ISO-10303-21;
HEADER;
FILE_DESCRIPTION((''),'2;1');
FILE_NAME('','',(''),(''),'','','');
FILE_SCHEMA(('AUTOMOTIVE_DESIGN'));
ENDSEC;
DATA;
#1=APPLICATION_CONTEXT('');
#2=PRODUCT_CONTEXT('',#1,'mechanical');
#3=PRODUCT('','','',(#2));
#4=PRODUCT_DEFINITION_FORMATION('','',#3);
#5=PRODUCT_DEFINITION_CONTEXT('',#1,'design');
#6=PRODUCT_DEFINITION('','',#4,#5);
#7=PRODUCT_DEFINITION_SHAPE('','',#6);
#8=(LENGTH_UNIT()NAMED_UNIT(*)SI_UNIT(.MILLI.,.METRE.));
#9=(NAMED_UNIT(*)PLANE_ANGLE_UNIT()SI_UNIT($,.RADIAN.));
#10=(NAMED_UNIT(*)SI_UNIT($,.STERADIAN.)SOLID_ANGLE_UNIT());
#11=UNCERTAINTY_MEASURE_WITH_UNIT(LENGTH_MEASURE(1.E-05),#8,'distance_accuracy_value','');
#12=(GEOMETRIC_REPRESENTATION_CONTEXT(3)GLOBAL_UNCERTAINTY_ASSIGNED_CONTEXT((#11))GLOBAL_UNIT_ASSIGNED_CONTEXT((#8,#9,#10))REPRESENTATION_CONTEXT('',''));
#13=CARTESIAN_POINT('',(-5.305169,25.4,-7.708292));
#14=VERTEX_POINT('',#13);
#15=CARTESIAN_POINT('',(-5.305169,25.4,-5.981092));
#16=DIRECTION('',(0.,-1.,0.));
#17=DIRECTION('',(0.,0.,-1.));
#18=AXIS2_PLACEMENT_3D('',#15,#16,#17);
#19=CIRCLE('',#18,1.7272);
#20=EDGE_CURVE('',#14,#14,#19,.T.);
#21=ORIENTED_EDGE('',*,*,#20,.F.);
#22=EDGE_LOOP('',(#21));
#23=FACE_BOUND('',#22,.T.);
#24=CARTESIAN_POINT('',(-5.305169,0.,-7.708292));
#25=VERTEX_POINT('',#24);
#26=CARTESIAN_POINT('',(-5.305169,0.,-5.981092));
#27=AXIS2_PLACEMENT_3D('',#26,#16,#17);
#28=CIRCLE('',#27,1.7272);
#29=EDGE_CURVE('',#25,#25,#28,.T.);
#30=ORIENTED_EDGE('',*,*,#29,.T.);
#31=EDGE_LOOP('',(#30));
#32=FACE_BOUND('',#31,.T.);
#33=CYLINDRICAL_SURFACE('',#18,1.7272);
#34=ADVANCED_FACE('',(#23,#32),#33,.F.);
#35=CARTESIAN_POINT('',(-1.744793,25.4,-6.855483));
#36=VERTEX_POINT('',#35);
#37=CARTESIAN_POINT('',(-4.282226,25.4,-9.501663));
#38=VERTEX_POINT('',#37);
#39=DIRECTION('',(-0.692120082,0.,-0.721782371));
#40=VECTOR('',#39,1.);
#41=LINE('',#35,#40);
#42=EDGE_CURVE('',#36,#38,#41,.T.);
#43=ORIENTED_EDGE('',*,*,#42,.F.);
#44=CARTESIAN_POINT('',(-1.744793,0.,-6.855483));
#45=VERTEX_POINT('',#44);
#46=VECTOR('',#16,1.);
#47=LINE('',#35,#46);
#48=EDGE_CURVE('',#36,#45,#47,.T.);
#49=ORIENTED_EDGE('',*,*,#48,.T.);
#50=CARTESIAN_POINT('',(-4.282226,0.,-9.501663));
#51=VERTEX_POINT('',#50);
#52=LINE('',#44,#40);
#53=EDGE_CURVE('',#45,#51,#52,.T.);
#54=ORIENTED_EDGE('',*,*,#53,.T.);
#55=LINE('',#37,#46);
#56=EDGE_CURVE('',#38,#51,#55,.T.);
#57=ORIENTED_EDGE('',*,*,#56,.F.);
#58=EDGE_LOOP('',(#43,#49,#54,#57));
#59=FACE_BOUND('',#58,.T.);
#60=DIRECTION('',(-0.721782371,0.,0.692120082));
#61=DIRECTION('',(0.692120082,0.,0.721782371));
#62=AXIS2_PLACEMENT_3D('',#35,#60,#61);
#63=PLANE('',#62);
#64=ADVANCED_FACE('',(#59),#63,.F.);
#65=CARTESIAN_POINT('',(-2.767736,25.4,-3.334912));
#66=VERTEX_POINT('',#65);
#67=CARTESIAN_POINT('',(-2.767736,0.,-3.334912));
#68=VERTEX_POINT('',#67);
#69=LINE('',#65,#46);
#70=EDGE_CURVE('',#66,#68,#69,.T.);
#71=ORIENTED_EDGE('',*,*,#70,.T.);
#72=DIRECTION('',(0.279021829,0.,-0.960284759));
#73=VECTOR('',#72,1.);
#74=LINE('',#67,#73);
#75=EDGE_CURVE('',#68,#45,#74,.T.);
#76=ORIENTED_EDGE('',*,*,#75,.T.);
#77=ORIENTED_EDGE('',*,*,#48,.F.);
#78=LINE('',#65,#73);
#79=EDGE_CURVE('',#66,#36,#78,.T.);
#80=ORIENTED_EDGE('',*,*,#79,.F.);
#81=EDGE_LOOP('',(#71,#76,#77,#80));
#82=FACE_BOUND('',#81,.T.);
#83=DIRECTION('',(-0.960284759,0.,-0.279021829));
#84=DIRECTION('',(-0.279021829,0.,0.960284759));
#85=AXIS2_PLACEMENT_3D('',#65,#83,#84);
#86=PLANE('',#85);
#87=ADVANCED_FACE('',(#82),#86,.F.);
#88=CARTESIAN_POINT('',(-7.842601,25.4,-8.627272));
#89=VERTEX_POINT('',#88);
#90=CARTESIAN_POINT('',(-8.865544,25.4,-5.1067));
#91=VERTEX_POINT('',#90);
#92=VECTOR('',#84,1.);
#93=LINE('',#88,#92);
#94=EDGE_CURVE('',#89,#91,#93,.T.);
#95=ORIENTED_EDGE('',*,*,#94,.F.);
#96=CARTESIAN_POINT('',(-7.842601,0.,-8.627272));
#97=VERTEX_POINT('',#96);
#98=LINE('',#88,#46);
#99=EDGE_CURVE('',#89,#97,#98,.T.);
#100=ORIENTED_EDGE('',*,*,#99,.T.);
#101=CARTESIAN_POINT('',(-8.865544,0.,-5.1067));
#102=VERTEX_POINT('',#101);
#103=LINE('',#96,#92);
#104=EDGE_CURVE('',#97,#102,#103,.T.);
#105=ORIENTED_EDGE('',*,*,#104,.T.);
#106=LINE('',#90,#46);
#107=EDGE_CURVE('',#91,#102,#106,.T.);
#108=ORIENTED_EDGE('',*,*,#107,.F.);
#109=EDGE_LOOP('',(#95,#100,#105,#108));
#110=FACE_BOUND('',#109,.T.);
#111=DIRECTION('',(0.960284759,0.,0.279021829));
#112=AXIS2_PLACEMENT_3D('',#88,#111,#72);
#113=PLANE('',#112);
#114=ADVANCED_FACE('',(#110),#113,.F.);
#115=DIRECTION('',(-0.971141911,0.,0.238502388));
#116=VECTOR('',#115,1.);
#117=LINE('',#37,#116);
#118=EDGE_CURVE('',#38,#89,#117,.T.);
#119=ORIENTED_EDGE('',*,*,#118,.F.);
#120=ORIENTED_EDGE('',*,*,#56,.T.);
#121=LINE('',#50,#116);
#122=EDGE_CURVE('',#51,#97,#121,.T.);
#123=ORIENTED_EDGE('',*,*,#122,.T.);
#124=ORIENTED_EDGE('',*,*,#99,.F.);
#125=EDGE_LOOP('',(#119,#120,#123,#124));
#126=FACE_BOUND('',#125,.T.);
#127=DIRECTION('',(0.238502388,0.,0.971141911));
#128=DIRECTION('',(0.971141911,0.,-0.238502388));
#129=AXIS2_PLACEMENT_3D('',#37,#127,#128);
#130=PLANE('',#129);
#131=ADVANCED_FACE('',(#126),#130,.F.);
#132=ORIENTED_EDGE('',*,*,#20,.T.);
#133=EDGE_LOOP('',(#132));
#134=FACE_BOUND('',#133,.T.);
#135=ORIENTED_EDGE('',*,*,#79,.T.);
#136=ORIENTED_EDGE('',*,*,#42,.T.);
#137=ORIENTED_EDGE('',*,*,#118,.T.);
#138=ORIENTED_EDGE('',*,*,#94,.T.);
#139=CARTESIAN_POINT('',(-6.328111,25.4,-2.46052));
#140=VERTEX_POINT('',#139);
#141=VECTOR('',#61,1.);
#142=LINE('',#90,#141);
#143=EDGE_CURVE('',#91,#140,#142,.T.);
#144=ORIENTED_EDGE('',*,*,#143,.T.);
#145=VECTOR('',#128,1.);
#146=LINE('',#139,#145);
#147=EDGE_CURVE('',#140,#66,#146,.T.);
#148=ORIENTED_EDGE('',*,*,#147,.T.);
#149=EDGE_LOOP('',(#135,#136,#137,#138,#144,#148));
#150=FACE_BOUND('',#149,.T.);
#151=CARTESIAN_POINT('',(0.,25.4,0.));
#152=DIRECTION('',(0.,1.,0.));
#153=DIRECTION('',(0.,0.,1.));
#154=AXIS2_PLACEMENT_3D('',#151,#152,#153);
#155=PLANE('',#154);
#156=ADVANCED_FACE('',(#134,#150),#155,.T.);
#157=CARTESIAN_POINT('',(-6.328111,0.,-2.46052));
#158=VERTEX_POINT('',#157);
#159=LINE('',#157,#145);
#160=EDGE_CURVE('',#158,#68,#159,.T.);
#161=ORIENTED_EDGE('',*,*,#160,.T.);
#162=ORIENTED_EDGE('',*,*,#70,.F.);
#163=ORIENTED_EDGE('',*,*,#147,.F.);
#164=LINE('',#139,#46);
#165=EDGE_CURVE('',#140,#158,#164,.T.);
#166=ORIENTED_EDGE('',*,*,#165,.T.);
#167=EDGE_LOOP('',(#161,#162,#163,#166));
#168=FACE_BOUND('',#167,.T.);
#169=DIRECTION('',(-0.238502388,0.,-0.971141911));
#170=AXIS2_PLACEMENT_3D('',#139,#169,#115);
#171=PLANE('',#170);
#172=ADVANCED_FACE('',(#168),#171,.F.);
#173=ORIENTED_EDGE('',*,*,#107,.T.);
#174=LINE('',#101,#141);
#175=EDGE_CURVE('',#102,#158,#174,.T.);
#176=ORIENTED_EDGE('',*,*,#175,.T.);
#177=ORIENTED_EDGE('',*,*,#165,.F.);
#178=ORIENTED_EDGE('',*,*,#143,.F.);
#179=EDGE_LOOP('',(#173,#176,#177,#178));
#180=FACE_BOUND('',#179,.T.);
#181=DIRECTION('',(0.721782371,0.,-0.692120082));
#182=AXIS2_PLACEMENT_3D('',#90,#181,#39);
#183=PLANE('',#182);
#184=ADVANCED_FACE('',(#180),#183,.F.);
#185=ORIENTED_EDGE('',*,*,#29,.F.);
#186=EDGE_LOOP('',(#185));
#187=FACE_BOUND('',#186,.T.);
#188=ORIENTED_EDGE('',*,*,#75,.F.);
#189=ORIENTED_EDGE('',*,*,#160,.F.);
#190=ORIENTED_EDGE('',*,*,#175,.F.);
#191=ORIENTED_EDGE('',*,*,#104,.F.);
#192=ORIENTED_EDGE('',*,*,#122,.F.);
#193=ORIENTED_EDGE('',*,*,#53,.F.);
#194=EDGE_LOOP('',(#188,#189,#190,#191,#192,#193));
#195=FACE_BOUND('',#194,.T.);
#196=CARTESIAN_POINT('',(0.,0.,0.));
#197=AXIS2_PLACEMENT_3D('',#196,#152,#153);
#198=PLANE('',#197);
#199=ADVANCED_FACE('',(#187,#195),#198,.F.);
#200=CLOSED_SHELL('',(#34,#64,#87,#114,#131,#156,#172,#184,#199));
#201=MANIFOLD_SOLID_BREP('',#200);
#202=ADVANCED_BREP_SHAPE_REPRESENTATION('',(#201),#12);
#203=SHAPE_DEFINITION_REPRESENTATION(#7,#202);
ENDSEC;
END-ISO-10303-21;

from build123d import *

# Parameters (mm, degrees)
BOSS_EXTRUDE1_DEPTH = 25.4
SKETCH3_R           = 1.7272
CUT_EXTRUDE2_DEPTH  = 26.4


with BuildPart() as part:
    # Sketch1 → Boss-Extrude1 (new body)
    with BuildSketch(Plane(origin=(0, 0, 0), x_dir=(1, 0, 0), z_dir=(0, 1, 0))):
        Polygon((-2.767735883, 3.334911674), (-1.744793251, 6.855482892), (-4.282226046, 9.501662807), (-7.842601473, 8.627271504), (-8.865544105, 5.106700285), (-6.32811131, 2.46052037), align=None)
    extrude(amount=BOSS_EXTRUDE1_DEPTH)

    # Sketch3 → Cut-Extrude2 (cut, through all)
    with BuildSketch(Plane.XZ):
        with Locations((-5.305168678, -5.981091589)):
            Circle(SKETCH3_R)
    extrude(amount=-CUT_EXTRUDE2_DEPTH, mode=Mode.SUBTRACT)


solid = part.part
